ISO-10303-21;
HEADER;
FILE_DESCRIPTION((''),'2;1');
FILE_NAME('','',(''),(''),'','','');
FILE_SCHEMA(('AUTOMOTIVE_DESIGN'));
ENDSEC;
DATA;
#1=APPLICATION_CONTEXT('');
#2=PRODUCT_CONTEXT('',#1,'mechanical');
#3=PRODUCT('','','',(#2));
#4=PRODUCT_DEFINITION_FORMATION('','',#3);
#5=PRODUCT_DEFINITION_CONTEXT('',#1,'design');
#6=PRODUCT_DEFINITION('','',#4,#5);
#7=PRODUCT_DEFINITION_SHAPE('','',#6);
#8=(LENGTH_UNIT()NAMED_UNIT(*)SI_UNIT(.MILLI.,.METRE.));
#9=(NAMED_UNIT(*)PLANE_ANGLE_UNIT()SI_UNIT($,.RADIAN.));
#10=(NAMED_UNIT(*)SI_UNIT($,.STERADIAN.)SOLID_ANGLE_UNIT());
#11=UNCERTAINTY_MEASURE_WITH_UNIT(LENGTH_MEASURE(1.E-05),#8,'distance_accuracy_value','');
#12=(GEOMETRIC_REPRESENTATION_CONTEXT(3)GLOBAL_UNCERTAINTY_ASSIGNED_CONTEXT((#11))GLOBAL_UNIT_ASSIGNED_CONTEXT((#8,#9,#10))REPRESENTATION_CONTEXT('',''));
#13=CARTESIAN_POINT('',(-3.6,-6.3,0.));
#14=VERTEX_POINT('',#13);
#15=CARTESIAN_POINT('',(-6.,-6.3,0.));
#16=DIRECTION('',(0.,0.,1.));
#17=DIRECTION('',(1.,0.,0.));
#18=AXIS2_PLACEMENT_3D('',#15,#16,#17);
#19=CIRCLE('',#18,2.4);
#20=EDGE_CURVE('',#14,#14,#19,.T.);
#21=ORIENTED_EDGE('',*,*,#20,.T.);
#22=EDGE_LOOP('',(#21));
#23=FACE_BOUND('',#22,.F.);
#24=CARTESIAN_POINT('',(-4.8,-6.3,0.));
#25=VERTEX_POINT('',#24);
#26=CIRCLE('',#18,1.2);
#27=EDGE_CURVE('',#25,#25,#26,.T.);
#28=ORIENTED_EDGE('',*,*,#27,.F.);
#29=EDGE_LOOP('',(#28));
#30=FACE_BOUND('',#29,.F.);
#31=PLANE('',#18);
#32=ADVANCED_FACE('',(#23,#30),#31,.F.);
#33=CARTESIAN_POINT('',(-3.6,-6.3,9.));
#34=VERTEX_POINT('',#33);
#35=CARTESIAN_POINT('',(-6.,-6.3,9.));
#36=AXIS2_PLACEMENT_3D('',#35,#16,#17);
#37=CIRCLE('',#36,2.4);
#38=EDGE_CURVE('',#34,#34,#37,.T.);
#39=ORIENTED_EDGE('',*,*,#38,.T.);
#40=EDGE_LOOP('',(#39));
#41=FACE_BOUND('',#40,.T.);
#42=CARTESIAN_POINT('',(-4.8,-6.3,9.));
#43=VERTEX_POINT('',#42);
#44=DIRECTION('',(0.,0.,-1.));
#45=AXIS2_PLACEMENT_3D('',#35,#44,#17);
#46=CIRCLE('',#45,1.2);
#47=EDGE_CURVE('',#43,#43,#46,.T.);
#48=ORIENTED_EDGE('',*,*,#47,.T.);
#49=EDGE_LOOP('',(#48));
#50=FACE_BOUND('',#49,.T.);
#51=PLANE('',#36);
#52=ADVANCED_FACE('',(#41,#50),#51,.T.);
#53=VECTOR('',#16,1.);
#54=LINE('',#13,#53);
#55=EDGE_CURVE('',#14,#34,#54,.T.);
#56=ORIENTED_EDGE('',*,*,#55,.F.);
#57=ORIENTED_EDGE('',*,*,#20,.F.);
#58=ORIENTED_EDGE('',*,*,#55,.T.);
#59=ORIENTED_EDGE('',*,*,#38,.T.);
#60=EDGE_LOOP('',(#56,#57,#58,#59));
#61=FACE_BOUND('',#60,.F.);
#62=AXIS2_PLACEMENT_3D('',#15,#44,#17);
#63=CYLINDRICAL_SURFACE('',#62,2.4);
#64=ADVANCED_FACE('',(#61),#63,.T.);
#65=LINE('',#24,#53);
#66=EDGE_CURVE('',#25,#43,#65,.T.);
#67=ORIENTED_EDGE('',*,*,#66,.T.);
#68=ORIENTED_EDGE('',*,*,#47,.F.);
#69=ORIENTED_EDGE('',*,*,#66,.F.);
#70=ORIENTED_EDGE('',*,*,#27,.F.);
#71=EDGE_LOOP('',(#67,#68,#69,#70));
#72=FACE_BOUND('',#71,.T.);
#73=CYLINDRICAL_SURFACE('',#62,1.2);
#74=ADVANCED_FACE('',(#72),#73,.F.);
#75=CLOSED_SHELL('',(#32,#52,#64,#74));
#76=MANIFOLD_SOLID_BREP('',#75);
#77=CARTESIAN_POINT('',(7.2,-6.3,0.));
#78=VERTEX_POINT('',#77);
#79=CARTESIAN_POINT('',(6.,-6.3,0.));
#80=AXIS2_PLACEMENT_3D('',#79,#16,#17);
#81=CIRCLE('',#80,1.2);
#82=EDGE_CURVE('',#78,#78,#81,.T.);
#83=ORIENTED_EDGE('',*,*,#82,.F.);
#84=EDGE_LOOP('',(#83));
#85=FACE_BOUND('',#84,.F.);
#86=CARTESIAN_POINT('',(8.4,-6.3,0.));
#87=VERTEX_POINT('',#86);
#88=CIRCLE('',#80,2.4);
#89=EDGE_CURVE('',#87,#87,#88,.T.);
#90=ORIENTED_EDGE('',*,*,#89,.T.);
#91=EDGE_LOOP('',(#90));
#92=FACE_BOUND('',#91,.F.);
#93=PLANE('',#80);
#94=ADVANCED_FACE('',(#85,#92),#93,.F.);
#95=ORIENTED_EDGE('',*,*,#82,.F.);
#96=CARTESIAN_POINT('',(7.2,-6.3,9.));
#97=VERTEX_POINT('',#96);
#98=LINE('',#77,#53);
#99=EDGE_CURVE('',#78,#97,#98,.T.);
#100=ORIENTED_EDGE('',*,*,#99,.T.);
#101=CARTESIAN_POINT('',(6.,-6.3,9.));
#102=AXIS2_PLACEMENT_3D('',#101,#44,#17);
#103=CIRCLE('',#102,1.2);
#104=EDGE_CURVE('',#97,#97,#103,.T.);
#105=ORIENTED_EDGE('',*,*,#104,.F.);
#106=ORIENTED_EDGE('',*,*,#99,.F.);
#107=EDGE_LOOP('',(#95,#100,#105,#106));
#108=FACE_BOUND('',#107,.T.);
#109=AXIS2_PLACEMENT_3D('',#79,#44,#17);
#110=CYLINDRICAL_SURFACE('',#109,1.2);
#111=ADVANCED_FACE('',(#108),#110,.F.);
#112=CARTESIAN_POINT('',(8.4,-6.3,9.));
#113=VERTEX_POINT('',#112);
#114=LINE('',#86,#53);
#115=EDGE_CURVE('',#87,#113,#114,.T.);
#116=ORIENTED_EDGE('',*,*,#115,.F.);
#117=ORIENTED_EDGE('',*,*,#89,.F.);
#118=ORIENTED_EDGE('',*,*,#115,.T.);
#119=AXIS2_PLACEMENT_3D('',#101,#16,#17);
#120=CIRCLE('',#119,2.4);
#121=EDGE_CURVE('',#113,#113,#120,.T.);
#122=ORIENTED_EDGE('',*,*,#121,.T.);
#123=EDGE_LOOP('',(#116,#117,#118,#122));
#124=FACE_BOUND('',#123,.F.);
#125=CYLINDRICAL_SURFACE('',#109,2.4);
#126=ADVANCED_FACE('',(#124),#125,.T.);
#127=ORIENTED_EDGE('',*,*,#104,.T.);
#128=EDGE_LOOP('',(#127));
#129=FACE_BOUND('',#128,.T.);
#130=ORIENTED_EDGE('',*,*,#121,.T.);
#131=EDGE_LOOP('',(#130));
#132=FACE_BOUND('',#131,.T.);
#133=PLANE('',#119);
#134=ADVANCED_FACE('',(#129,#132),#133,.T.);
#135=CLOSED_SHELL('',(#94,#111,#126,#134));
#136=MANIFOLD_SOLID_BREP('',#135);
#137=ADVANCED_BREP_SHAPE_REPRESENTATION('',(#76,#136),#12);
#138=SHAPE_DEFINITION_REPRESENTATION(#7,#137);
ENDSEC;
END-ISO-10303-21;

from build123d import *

# Parameters (mm, degrees)
CYLINDER004_R     = 1.2
CYLINDER004_DEPTH = 12
CYLINDER005_R     = 1.2
CYLINDER005_DEPTH = 12
CYLINDER006_R     = 2.4
CYLINDER006_DEPTH = 9
CYLINDER007_R     = 2.4
CYLINDER007_DEPTH = 9


with BuildPart() as cylinder004:
    # Cylinder004 → Cylinder004 (new body)
    with BuildSketch(Plane(origin=(-6, -6.3, 0), x_dir=(1, 0, 0), z_dir=(0, 0, 1))):
        Circle(CYLINDER004_R)
    extrude(amount=CYLINDER004_DEPTH)


with BuildPart() as fusion003:
    # Cylinder005 → Cylinder005 (new body)
    with BuildSketch(Plane(origin=(6, -6.3, 0), x_dir=(1, 0, 0), z_dir=(0, 0, 1))):
        Circle(CYLINDER005_R)
    extrude(amount=CYLINDER005_DEPTH)

    # Fusion003: union Cylinder004
    add(cylinder004.part)


with BuildPart() as cylinder006:
    # Cylinder006 → Cylinder006 (new body)
    with BuildSketch(Plane(origin=(6, -6.3, 0), x_dir=(1, 0, 0), z_dir=(0, 0, 1))):
        Circle(CYLINDER006_R)
    extrude(amount=CYLINDER006_DEPTH)


with BuildPart() as cut001:
    # Cylinder007 → Cylinder007 (new body)
    with BuildSketch(Plane(origin=(-6, -6.3, 0), x_dir=(1, 0, 0), z_dir=(0, 0, 1))):
        Circle(CYLINDER007_R)
    extrude(amount=CYLINDER007_DEPTH)

    # Fusion004: union Cylinder006
    add(cylinder006.part)

    # Cut001: cut Fusion003
    add(fusion003.part, mode=Mode.SUBTRACT)


solid = cut001.part
